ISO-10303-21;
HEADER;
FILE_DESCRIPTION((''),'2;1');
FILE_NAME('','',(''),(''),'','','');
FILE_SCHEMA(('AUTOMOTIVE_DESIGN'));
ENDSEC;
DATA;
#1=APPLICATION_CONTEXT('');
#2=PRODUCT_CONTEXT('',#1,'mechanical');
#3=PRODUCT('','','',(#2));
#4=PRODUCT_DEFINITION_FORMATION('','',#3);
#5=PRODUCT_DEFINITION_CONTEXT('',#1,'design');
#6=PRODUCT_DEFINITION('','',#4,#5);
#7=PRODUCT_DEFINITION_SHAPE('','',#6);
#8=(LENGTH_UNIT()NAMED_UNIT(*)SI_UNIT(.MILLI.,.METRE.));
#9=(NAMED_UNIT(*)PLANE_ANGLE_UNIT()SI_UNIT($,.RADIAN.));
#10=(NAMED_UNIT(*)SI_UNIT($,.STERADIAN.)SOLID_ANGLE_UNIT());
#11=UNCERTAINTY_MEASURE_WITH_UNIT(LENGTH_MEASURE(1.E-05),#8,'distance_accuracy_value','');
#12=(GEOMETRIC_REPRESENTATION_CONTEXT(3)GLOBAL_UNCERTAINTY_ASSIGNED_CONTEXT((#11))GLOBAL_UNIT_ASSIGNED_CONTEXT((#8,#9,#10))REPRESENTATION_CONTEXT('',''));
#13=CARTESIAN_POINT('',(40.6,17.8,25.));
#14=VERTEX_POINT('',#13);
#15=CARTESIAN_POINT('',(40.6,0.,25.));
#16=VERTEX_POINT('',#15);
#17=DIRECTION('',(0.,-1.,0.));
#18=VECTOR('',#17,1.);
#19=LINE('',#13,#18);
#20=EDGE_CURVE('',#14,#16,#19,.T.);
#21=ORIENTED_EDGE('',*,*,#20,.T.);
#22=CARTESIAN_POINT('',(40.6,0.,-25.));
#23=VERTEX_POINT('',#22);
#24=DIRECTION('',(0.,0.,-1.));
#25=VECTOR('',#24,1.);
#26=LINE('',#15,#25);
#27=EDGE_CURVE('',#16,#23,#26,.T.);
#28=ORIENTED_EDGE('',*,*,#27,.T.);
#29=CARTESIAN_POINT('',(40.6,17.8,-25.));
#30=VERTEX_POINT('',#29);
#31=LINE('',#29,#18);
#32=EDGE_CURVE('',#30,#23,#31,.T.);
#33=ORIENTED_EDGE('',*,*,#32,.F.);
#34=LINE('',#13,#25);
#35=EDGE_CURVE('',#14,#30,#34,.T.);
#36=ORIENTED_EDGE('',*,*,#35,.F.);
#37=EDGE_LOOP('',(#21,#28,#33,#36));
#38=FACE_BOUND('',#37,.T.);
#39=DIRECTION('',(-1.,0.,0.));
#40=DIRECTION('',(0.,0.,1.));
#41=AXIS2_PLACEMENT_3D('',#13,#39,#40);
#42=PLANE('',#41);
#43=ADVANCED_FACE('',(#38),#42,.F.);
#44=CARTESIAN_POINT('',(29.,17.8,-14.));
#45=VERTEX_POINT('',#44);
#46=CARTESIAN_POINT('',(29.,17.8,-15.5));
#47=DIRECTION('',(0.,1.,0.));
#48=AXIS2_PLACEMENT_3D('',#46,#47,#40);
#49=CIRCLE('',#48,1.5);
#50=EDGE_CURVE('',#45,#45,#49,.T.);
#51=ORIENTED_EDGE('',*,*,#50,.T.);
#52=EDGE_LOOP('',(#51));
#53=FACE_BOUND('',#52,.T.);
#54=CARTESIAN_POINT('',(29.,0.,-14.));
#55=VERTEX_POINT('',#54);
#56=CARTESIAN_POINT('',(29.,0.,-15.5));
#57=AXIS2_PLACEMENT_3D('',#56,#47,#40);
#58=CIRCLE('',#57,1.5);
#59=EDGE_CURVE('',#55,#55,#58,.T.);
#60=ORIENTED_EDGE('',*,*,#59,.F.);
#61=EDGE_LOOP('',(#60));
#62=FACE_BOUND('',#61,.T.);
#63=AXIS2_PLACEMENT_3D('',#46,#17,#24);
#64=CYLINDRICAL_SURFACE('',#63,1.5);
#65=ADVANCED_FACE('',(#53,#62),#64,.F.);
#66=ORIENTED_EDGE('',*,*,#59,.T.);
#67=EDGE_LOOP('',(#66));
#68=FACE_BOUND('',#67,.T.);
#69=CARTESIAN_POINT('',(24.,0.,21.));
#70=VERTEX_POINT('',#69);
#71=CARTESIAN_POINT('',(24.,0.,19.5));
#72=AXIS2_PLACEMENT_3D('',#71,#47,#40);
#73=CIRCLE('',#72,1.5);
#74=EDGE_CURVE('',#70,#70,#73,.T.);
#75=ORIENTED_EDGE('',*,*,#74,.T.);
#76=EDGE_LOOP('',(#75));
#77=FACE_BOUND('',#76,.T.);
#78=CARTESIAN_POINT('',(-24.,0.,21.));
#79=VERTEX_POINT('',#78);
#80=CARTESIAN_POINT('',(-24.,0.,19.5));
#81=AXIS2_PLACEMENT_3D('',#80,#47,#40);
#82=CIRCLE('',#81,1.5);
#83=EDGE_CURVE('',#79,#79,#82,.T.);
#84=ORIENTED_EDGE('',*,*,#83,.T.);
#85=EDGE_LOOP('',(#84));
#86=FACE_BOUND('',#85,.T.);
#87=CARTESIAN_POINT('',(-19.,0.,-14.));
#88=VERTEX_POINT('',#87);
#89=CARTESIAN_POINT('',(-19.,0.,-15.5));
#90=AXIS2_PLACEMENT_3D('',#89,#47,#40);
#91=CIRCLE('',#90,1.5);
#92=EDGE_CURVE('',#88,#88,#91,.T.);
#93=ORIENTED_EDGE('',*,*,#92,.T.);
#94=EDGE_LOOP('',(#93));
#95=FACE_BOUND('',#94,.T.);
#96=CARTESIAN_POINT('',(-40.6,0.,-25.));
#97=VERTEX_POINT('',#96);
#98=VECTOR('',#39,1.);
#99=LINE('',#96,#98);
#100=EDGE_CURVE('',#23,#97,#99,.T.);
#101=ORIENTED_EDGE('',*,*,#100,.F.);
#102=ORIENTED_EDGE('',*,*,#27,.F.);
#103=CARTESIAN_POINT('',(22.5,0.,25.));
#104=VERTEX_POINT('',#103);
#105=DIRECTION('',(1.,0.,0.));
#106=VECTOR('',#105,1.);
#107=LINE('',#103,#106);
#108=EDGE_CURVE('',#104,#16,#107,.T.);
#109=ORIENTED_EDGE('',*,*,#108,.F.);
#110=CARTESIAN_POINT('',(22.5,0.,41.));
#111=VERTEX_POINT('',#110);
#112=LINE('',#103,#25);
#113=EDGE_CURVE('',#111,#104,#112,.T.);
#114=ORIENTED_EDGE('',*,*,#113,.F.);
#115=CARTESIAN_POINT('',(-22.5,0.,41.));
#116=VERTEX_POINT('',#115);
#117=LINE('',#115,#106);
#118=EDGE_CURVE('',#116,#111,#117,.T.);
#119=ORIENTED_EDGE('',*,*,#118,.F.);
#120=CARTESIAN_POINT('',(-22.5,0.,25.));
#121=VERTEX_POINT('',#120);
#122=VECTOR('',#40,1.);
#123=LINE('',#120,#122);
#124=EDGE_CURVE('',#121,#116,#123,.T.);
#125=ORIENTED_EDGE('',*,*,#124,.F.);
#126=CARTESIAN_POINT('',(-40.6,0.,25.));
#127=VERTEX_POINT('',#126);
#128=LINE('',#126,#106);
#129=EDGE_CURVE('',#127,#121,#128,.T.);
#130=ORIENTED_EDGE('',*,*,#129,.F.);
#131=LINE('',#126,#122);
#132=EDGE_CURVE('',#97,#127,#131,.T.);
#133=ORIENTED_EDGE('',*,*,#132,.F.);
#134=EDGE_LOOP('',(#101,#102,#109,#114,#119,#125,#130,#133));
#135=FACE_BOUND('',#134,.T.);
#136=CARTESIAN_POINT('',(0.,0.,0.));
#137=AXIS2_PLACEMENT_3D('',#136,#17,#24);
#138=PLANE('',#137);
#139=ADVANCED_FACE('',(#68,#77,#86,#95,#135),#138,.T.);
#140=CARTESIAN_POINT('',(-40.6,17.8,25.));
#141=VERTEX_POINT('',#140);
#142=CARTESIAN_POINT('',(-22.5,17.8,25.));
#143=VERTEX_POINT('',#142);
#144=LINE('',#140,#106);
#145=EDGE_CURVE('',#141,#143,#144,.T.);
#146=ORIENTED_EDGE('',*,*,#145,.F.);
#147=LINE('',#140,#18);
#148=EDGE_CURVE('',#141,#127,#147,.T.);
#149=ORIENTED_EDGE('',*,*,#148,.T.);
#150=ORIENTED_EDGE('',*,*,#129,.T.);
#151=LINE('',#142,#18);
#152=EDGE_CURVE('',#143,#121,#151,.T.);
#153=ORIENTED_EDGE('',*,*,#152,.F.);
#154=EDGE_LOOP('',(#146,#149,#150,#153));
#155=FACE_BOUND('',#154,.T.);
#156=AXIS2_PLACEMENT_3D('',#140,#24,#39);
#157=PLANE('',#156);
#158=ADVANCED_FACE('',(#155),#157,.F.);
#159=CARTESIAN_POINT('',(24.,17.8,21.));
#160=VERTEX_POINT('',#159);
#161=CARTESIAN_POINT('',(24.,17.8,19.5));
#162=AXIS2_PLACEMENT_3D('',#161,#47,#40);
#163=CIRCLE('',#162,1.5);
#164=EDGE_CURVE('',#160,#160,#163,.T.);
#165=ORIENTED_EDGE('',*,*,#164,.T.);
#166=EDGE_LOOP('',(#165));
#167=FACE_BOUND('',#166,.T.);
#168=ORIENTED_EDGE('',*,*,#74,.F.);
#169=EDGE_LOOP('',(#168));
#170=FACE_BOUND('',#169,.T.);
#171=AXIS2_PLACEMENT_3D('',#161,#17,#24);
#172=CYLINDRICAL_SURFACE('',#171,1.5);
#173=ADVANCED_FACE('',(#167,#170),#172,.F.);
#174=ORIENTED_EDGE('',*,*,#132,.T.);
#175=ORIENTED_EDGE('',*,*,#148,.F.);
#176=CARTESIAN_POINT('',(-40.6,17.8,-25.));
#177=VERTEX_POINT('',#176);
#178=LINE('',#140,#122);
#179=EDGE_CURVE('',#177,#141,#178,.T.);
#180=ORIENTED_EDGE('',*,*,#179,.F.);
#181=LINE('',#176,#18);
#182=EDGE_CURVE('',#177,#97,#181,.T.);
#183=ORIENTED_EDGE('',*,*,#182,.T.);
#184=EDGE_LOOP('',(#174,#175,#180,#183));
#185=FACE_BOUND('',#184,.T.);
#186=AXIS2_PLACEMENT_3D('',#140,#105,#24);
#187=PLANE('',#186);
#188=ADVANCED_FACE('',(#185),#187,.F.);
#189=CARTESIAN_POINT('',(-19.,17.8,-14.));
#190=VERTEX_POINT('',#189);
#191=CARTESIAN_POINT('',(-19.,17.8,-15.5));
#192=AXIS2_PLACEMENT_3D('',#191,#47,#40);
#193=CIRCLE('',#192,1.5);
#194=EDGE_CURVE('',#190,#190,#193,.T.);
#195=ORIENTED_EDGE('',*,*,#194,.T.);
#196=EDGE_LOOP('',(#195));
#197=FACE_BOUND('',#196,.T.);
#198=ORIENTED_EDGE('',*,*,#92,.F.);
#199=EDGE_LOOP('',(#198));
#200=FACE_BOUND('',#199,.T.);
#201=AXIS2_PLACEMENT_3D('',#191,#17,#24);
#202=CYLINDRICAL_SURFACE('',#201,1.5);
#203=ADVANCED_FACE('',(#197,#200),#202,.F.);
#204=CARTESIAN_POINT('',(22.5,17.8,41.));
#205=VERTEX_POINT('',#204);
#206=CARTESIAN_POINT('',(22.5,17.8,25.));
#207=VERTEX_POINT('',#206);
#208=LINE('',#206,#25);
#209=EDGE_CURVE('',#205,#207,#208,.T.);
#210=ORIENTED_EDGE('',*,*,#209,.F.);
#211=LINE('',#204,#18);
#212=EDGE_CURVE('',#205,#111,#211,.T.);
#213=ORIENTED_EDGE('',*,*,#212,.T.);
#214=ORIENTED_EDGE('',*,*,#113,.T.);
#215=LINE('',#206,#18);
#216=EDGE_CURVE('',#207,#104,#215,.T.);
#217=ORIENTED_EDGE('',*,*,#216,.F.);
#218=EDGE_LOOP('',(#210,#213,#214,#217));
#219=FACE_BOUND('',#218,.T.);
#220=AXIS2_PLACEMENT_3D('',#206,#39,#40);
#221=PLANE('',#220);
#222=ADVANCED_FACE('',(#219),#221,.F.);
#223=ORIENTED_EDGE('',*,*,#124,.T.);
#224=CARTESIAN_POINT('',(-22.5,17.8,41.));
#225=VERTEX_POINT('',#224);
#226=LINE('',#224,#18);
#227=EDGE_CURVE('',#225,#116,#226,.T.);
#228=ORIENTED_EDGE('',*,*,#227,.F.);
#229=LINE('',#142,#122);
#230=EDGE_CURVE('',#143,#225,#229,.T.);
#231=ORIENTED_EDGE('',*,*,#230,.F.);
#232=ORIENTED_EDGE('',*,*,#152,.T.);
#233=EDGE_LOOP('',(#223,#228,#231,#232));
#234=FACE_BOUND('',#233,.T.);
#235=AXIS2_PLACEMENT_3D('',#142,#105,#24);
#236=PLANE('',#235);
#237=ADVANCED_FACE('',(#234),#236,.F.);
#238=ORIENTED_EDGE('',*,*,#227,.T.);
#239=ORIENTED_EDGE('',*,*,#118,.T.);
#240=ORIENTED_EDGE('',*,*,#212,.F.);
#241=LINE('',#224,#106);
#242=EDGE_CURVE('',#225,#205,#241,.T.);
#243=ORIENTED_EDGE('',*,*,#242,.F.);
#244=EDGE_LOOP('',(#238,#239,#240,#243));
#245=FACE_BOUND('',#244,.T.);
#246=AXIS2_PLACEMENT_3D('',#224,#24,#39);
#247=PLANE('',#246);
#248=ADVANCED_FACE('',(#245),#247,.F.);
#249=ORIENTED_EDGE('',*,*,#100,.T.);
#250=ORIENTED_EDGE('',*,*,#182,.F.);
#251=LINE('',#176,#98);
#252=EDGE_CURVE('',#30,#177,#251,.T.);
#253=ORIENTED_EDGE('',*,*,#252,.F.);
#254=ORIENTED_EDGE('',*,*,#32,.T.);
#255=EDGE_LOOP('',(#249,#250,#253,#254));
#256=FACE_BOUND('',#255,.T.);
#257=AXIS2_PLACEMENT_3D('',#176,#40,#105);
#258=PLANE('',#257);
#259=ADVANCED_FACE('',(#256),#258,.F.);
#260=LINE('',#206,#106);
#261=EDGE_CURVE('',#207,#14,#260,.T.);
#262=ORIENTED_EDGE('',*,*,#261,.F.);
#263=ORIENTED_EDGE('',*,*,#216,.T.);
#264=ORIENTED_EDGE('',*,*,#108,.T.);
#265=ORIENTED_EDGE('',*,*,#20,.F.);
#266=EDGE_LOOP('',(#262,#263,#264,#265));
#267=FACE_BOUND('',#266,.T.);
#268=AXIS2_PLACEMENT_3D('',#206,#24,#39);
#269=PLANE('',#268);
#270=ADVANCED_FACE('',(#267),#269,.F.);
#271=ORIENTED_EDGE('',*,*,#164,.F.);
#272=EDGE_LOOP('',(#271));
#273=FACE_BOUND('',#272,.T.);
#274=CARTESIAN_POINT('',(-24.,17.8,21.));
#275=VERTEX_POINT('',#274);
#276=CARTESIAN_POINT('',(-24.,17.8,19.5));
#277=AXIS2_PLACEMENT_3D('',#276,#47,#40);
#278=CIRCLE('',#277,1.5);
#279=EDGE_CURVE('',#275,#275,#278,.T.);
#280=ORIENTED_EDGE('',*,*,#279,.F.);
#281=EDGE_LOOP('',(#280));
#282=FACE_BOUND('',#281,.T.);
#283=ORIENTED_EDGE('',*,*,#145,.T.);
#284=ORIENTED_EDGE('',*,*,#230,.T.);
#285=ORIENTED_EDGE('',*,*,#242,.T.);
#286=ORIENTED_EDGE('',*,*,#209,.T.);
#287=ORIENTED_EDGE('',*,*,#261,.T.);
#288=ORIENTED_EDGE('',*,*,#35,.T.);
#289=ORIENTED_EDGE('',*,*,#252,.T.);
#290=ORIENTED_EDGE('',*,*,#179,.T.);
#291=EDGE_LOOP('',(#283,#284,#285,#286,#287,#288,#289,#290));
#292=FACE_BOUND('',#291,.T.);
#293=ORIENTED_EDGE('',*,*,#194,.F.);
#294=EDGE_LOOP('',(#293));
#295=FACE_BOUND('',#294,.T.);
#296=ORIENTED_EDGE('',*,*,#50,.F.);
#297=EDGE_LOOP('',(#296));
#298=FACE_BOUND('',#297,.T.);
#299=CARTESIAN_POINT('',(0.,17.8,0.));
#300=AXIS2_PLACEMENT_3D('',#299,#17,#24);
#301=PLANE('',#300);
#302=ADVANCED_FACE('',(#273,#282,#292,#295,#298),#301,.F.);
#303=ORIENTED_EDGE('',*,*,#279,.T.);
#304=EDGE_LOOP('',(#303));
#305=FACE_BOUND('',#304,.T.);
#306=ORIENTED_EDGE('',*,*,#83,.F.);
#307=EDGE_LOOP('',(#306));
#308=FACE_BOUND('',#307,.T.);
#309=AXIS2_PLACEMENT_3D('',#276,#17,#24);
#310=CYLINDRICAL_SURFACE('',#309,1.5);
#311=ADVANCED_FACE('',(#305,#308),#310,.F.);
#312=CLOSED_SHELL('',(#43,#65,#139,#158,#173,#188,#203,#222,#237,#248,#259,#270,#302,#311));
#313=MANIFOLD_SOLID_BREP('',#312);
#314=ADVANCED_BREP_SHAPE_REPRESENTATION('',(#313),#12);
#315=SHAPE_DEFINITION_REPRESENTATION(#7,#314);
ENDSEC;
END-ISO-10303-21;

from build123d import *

# Parameters (mm, degrees)
SKETCH1_R           = 1.5
BOSS_EXTRUDE1_DEPTH = 17.8


with BuildPart() as part:
    # Sketch1 → Boss-Extrude1 (new body)
    with BuildSketch(Plane(origin=(0, 0, 0), x_dir=(1, 0, 0), z_dir=(0, 1, 0))):
        Polygon((-40.6, -25), (-22.5, -25), (-22.5, -41), (22.5, -41), (22.5, -25), (40.6, -25), (40.6, 25), (-40.6, 25), align=None)
        with Locations((-19, 15.5)):
            Circle(SKETCH1_R, mode=Mode.SUBTRACT)
        with Locations((29, 15.5)):
            Circle(SKETCH1_R, mode=Mode.SUBTRACT)
        with Locations((-24, -19.5)):
            Circle(SKETCH1_R, mode=Mode.SUBTRACT)
        with Locations((24, -19.5)):
            Circle(SKETCH1_R, mode=Mode.SUBTRACT)
    extrude(amount=BOSS_EXTRUDE1_DEPTH)


solid = part.part
